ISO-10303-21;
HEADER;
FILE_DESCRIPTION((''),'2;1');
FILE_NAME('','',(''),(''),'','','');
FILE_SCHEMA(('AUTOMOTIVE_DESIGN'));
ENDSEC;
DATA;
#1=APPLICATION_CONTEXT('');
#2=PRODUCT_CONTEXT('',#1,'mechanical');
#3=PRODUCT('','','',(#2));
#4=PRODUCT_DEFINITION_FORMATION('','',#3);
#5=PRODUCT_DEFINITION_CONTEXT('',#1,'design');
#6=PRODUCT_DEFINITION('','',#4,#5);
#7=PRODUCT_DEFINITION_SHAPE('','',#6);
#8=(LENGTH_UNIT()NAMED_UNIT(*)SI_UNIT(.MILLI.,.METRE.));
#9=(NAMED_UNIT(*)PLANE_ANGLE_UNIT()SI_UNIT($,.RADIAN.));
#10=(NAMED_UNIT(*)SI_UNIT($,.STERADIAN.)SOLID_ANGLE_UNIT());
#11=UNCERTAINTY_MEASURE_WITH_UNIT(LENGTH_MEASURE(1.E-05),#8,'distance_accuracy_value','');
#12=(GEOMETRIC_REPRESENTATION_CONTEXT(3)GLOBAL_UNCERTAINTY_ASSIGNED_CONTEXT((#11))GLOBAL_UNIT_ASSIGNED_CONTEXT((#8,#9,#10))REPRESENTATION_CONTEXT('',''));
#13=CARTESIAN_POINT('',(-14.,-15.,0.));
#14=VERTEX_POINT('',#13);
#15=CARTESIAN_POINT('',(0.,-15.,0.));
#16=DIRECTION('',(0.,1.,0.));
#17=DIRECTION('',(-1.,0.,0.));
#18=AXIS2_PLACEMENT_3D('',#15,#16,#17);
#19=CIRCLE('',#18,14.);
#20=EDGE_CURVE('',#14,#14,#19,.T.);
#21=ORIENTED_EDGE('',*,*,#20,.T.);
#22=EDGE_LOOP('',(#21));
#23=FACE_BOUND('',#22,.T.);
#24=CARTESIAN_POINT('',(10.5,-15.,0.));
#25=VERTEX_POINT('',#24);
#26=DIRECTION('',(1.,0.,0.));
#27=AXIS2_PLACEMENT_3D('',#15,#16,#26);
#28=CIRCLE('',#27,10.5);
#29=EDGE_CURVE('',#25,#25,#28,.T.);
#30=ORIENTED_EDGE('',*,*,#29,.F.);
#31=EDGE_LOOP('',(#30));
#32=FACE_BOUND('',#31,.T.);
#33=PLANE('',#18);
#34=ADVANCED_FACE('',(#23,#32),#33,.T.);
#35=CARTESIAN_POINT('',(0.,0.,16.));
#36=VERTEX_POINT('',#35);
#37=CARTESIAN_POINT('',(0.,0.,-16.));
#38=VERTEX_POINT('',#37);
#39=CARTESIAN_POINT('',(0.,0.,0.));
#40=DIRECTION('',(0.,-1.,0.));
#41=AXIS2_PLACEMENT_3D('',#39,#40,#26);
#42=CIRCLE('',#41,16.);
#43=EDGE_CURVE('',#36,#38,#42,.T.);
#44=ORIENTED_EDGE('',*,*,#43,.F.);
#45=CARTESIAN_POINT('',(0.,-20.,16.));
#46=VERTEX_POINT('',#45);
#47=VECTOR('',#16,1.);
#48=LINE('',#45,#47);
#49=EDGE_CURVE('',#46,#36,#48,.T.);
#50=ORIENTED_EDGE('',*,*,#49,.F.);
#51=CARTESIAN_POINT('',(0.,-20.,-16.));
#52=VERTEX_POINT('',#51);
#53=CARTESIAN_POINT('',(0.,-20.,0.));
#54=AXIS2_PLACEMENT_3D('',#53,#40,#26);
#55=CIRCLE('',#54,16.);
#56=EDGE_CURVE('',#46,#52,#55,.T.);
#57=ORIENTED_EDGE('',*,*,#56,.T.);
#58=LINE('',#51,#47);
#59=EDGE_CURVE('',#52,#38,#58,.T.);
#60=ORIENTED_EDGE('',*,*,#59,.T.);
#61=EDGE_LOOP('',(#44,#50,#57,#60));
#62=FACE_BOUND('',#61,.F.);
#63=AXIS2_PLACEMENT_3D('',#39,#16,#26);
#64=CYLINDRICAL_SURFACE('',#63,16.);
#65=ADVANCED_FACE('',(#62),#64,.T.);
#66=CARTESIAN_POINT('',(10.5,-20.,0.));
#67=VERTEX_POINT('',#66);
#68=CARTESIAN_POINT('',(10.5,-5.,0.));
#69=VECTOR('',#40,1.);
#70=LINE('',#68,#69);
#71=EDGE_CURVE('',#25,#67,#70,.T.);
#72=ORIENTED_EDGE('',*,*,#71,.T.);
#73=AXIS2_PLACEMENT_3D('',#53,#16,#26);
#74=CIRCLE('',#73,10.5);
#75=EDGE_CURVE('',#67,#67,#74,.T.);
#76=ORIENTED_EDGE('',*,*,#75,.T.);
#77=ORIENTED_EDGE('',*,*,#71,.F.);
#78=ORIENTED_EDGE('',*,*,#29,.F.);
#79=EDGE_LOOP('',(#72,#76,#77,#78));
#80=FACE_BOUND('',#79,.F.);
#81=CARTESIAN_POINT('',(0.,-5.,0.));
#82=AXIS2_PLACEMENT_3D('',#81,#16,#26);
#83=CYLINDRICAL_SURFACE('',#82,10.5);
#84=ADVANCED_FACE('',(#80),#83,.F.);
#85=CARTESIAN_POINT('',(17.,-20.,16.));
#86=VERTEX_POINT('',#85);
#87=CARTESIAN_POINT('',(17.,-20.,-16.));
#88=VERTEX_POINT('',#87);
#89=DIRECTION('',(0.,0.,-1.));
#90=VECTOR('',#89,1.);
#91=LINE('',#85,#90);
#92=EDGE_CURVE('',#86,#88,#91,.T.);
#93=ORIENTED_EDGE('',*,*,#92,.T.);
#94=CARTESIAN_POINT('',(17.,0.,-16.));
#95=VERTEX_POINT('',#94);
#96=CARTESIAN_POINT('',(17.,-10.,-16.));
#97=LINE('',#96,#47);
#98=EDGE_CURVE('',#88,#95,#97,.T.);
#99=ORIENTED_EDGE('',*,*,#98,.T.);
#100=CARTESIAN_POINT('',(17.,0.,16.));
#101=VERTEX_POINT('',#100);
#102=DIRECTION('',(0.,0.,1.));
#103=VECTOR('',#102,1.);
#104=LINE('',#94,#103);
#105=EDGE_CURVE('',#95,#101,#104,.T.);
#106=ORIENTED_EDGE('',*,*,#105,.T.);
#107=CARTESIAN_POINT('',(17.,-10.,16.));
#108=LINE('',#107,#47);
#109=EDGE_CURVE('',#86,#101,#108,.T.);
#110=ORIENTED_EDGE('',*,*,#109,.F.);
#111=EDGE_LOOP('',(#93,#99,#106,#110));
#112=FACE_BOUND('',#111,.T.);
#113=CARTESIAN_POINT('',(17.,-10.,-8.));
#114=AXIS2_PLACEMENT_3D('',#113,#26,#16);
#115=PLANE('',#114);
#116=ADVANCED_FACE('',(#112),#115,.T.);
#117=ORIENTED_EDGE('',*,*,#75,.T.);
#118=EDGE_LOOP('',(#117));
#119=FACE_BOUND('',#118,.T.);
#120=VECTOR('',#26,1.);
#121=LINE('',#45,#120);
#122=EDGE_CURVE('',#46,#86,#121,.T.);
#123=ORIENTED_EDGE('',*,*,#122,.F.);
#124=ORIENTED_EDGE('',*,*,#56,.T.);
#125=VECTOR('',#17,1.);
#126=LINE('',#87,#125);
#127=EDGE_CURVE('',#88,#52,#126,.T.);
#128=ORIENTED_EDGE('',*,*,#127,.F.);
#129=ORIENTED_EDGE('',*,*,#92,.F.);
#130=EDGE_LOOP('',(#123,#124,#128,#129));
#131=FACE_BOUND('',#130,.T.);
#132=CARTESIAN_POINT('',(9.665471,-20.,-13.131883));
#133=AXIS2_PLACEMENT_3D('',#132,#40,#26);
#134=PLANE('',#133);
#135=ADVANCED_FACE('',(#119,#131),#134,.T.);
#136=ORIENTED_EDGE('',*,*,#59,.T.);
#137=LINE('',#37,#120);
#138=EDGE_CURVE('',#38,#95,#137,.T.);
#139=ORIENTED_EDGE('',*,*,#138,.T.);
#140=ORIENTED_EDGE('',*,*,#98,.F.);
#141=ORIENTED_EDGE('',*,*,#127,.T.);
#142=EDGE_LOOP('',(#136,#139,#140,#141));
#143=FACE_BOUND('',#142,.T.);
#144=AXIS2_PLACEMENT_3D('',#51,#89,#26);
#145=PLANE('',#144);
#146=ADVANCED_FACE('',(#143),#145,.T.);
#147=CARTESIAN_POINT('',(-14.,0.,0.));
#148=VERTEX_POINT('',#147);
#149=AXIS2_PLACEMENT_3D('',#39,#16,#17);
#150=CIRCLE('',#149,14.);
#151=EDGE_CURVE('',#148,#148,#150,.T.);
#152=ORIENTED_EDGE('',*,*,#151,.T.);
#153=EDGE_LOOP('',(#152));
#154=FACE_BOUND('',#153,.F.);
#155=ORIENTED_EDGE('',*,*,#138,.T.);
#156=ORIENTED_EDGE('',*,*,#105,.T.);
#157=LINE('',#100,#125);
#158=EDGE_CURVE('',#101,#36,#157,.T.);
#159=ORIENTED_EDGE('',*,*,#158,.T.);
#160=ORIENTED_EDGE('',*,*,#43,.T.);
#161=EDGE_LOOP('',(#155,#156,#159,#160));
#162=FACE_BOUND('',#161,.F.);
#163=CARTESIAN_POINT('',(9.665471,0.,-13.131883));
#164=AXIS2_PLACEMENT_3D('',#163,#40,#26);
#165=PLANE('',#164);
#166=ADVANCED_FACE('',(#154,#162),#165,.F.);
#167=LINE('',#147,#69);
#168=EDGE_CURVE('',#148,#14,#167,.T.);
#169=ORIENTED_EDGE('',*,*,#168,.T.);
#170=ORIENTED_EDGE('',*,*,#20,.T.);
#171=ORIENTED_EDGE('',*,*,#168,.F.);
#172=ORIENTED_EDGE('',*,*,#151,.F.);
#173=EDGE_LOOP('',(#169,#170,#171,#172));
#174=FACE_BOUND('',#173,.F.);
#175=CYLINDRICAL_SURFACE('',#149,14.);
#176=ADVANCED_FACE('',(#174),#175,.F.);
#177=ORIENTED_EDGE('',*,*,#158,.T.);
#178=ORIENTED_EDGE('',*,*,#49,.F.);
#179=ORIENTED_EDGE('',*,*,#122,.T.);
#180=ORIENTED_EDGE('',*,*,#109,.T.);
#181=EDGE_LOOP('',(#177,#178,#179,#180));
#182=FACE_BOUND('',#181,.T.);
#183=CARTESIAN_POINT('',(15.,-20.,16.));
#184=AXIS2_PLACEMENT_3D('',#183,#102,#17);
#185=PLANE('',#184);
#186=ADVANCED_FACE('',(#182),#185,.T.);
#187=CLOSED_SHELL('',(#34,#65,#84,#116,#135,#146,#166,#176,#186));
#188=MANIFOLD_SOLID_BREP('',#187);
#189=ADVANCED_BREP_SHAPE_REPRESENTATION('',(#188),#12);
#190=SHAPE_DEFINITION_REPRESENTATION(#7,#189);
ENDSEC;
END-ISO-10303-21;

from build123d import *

# Parameters (mm, degrees)
F0_R      = 16
F0_R_2    = 10.5
F1_DEPTH  = 20
F2_R      = 12.5
F3_DEPTH  = 15
F4_DEPTH  = 15.001
F5_R      = 14
F6_DEPTH  = 15
F8_W      = 20
F8_H      = 16
F9_DEPTH  = 2
F11_DEPTH = 20
F14_DEPTH = 20


with BuildPart() as f1:
    # F0 (on Front) → F1 (new body)
    with BuildSketch(Plane.XZ):
        Circle(F0_R)
        Circle(F0_R_2, mode=Mode.SUBTRACT)
    extrude(amount=F1_DEPTH)

    # F2 (on face) → F3 (join)
    with BuildSketch(Plane.XZ.offset(20)):
        Circle(F2_R)
    extrude(amount=-F3_DEPTH)

    # F4 (cut, through all): a face of the model
    f4_faces = [f1.faces().sort_by_distance(p)[0] for p in [
        (0, -5, 0),
    ]]
    extrude(f4_faces, amount=-F4_DEPTH, mode=Mode.SUBTRACT)

    # F5 (on face) → F6 (cut)
    with BuildSketch(Plane(origin=(0, 0, 0), x_dir=(-1, 0, 0), z_dir=(0, 1, 0))):
        Circle(F5_R)
    extrude(amount=-F6_DEPTH, mode=Mode.SUBTRACT)

    # F8 (on offset) → F9 (join)
    with BuildSketch(Plane.YZ.offset(15)):
        with Locations((-10, -8)):
            Rectangle(F8_W, F8_H)
        with Locations((-10, 8)):
            Rectangle(F8_W, F8_H)
    extrude(amount=F9_DEPTH)

    # F10 (on face) → F11 (join)
    with BuildSketch(Plane.XZ.offset(20)):
        with BuildLine():
            Line((15, 16), (0, 16))
            ThreePointArc((0, 16), (9.1355287257, 13.1355287257), (15, 5.5677643628))
            Line((15, 5.5677643628), (15, 16))
        make_face()
    extrude(amount=-F11_DEPTH)

    # F13 (on face) → F14 (join)
    with BuildSketch(Plane.XZ.offset(20)):
        with BuildLine():
            Line((0, -16), (15, -16))
            Line((15, -16), (15, -5.5677643628))
            ThreePointArc((15, -5.5677643628), (9.1355287257, -13.1355287257), (0, -16))
        make_face()
    extrude(amount=-F14_DEPTH)


solid = f1.part
